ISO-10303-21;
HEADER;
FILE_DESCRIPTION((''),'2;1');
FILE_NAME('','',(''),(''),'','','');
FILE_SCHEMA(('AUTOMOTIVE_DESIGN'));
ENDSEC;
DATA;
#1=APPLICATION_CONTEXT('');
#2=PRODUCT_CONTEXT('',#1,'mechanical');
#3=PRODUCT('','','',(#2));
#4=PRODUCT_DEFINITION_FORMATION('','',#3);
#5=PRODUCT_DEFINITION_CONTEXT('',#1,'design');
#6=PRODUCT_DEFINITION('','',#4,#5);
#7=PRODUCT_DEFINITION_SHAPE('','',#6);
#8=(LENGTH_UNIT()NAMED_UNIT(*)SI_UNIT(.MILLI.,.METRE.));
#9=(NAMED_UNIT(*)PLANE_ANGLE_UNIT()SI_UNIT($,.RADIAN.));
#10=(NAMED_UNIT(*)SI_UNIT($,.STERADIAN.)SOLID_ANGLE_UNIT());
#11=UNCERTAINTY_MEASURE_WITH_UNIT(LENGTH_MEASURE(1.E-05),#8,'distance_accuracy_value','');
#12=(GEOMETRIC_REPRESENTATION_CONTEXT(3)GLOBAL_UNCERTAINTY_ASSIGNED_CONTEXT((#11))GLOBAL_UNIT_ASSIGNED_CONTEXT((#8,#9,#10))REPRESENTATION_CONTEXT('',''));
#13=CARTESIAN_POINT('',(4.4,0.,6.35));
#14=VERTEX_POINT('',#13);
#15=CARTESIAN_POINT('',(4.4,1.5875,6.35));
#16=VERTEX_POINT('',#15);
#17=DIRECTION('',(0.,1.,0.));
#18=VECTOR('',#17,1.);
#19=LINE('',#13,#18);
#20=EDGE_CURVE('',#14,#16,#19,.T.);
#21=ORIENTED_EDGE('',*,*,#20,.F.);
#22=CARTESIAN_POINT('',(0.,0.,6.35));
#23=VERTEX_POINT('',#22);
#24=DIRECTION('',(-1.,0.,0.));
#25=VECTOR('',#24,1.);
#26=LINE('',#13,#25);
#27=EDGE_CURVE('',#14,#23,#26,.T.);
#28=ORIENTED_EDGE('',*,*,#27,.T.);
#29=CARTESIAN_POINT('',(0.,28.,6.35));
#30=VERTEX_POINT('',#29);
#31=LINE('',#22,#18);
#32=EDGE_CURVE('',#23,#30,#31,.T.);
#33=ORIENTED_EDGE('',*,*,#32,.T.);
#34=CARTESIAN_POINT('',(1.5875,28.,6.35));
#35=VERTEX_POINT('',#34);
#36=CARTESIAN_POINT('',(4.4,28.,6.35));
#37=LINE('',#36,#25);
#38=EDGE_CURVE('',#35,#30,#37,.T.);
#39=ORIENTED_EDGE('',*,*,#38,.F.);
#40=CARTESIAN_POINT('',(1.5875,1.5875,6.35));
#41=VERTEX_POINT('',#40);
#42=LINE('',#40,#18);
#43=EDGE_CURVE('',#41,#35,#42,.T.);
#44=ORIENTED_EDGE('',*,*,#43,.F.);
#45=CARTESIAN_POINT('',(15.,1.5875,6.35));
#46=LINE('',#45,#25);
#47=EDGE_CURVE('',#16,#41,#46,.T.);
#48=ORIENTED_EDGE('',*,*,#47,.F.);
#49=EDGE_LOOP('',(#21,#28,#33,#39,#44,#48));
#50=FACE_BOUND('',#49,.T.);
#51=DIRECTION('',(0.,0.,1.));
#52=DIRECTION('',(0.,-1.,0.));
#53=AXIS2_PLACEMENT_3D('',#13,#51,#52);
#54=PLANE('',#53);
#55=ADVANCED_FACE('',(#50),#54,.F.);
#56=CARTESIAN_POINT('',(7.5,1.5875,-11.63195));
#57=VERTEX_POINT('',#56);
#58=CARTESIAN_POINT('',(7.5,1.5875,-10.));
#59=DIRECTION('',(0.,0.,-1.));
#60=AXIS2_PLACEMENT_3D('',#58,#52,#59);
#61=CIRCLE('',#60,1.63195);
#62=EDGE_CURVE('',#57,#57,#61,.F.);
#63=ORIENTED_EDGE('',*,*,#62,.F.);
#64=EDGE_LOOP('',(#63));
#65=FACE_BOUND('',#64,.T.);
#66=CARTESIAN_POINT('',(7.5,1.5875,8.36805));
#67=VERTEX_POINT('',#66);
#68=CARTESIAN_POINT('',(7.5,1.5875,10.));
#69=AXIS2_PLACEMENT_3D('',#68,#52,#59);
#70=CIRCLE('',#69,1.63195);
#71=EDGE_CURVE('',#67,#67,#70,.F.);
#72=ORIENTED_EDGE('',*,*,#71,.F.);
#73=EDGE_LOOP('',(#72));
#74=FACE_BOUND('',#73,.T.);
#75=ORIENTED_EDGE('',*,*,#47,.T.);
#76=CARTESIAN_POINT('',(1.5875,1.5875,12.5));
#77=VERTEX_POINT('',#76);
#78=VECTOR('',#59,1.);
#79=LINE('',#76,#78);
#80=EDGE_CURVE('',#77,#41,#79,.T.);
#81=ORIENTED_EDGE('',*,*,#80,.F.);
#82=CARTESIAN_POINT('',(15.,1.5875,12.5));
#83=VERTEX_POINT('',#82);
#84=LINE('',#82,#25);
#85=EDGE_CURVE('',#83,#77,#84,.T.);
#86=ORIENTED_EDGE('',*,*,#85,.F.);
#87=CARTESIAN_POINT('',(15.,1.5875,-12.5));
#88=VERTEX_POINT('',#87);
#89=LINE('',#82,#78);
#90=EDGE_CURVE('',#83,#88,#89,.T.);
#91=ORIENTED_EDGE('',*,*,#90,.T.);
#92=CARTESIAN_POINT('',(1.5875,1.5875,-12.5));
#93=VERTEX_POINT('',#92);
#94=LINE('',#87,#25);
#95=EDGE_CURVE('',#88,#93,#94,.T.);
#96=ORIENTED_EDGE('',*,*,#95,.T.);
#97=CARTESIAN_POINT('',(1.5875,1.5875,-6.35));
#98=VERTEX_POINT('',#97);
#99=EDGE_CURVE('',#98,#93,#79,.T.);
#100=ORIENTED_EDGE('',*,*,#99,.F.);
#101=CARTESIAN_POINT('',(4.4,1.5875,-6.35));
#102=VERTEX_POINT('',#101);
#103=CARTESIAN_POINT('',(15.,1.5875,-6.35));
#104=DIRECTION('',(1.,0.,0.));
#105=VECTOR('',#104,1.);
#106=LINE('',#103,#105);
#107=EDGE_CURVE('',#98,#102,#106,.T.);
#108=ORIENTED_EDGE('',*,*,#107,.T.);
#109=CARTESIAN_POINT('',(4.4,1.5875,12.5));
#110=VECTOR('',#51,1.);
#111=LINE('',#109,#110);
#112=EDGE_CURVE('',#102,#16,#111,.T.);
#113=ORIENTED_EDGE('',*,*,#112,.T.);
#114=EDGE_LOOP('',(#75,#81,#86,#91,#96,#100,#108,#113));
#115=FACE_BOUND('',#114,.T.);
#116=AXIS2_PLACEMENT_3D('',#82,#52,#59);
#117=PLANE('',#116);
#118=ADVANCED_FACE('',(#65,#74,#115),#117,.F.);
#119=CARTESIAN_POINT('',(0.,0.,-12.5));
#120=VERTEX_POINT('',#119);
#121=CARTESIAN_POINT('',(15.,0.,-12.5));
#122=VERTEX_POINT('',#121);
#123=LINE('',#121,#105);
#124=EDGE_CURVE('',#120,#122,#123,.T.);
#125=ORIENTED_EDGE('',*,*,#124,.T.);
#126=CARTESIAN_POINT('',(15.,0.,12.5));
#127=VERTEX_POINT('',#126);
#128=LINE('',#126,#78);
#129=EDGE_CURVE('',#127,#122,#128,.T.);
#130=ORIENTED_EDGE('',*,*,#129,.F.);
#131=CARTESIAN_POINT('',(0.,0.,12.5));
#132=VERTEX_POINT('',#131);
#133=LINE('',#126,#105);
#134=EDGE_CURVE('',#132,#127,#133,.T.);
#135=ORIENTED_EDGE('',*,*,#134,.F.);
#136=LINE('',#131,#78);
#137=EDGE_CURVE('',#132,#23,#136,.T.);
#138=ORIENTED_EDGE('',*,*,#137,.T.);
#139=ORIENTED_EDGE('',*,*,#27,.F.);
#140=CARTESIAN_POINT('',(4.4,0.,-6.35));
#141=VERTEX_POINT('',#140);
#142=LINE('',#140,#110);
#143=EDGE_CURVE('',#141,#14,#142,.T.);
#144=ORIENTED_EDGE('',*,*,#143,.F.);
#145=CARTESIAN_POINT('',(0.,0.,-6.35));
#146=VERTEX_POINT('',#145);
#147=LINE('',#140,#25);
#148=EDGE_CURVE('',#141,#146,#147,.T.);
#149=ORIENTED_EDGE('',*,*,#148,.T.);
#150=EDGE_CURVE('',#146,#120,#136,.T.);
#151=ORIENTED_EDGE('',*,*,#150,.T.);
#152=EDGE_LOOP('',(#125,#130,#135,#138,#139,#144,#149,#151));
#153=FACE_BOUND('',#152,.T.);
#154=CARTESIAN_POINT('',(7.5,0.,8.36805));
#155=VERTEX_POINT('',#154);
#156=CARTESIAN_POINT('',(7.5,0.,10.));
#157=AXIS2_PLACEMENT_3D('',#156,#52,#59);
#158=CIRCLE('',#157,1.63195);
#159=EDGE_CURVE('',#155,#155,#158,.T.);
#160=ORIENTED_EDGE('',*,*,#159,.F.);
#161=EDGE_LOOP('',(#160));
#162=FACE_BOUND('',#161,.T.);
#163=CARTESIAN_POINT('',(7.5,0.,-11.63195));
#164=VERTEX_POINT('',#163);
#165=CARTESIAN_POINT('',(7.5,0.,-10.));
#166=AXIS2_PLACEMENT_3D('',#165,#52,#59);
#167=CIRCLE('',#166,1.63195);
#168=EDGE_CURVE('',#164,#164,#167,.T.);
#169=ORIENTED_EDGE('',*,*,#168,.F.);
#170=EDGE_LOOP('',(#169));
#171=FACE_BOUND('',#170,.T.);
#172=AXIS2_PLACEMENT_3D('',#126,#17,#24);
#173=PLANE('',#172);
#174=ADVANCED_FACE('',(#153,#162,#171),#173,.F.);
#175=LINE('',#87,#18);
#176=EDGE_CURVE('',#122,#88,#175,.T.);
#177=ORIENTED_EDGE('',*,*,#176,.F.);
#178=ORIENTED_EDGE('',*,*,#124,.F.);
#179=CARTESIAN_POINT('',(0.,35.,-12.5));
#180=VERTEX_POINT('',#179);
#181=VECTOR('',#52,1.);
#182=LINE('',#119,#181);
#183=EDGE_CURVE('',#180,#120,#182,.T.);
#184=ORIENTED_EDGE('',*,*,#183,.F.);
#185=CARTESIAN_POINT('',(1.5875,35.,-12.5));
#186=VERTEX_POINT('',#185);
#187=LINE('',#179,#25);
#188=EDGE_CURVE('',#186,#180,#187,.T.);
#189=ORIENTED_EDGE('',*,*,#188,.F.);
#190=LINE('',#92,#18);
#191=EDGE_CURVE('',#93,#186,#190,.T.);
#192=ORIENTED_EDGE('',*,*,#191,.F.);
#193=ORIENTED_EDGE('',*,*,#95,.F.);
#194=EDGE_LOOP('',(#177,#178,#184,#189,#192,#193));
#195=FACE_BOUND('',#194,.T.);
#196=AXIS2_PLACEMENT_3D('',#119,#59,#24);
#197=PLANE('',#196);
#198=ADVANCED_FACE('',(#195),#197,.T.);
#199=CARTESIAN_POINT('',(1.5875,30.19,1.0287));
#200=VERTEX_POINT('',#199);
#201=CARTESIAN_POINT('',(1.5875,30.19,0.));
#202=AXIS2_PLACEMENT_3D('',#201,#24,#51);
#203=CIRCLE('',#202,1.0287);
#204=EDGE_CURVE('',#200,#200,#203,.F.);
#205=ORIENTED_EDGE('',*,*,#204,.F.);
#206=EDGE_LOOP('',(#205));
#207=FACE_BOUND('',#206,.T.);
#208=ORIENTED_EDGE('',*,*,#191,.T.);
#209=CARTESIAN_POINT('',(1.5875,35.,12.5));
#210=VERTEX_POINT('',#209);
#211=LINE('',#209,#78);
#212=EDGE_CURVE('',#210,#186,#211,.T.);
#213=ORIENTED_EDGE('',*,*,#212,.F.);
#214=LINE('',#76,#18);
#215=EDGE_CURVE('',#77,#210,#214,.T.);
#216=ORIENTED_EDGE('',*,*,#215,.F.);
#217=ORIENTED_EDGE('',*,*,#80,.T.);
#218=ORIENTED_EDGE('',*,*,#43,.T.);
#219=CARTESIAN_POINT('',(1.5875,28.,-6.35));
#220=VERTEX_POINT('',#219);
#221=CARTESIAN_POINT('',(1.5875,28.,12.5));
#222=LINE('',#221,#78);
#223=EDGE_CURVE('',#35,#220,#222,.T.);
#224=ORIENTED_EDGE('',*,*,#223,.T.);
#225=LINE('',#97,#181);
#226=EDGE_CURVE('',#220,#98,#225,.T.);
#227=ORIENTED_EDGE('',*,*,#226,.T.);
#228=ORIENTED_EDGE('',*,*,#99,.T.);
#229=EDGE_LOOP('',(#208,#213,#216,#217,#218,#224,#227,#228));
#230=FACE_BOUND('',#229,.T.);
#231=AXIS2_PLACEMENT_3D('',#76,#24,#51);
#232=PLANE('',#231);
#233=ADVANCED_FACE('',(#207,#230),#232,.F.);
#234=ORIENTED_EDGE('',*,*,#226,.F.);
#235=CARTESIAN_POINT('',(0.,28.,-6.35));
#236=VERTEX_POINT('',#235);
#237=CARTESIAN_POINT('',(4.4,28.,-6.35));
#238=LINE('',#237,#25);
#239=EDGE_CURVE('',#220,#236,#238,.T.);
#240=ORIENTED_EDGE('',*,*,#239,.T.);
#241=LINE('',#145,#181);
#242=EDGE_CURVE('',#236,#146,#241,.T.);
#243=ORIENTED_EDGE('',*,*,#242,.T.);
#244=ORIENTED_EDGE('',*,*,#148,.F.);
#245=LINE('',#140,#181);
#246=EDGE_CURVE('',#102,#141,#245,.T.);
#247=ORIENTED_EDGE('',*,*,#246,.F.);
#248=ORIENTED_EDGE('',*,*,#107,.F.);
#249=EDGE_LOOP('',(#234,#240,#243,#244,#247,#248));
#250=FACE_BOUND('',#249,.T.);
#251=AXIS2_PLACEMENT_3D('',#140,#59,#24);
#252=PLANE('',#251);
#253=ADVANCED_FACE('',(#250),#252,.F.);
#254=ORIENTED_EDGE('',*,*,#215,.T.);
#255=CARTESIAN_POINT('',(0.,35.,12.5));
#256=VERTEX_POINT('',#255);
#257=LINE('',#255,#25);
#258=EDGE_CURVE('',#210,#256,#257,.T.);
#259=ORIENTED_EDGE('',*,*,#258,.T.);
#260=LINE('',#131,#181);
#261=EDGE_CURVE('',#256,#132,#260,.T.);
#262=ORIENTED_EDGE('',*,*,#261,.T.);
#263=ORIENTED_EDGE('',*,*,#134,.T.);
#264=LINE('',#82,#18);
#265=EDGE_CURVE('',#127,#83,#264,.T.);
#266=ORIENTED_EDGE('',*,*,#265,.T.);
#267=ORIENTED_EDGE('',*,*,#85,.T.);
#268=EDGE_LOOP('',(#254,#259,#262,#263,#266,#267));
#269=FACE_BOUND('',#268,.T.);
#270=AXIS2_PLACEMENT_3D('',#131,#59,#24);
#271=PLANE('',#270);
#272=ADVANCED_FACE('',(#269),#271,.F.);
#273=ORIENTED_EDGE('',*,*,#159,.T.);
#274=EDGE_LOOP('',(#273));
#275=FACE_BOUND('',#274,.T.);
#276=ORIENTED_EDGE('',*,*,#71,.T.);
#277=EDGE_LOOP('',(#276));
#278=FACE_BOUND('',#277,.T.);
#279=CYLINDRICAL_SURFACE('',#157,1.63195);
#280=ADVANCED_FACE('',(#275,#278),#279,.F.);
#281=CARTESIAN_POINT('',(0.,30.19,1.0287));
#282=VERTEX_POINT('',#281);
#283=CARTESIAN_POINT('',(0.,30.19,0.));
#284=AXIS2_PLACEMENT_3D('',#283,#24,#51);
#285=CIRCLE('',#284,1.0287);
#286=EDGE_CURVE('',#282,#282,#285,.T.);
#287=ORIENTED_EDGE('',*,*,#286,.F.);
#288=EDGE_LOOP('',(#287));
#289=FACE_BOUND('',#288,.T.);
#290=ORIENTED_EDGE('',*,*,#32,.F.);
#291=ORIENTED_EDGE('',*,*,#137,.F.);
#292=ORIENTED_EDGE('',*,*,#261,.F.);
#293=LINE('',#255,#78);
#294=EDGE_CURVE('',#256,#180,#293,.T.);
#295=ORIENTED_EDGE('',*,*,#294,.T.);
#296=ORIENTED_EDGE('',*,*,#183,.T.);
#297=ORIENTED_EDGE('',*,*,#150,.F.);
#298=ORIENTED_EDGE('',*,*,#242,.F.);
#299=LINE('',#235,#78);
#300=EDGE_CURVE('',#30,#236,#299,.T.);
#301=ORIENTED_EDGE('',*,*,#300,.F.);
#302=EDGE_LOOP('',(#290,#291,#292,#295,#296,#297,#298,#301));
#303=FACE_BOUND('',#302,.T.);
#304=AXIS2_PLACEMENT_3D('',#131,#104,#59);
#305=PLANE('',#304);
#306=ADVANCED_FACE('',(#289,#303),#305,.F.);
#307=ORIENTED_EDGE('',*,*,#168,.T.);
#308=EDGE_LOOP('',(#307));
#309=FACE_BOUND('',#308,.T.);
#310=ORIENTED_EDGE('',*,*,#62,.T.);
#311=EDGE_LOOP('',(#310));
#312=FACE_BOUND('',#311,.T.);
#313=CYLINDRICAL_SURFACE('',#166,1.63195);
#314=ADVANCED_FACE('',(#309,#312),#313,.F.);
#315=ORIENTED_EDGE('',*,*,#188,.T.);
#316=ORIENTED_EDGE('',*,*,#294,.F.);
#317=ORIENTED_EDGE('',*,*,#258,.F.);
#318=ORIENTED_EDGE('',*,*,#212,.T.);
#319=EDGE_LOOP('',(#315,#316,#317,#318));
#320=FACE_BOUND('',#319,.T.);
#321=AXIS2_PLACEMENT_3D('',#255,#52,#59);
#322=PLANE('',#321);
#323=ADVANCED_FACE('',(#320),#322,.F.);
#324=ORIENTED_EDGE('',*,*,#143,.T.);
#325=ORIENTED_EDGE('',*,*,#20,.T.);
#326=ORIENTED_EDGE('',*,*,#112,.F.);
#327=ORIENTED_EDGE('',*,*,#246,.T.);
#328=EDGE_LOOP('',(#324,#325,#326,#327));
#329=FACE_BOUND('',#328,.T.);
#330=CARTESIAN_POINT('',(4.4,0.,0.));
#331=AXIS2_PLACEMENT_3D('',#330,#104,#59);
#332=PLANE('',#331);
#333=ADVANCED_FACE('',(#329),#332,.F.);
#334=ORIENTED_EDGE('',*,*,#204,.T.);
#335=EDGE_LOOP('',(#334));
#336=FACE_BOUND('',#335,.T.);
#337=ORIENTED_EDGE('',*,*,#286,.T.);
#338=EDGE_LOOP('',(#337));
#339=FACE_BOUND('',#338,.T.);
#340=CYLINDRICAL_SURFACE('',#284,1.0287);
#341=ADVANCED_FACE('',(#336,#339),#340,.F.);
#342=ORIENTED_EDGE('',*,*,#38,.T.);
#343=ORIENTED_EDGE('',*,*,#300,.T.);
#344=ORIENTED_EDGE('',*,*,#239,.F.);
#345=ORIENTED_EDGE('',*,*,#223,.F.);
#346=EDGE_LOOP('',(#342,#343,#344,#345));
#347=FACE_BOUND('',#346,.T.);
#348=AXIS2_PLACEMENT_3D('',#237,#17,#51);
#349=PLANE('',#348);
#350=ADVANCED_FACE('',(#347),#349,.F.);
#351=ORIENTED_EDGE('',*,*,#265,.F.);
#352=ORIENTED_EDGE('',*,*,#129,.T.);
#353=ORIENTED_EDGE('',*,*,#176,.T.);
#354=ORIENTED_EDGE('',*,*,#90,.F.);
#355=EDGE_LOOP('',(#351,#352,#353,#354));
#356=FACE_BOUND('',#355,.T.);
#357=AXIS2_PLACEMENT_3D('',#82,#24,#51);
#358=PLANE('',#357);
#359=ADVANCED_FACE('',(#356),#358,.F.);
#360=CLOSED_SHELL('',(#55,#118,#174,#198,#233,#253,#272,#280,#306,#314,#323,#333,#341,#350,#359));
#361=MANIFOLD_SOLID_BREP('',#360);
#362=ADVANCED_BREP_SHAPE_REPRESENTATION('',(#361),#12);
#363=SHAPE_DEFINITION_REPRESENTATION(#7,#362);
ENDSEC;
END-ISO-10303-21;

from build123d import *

# Parameters (mm, degrees)
BOSS_EXTRUDE1_DEPTH   = 12.5
F_4_CLEARANCE_HOLE1_D = 3.2639
F_1_CLEARANCE_HOLE1_D = 2.0574
SKETCH7_W             = 12.7
SKETCH7_H             = 28
CUT_EXTRUDE1_DEPTH    = 4.4


with BuildPart() as part:
    # Sketch1 → Boss-Extrude1 (new, symmetric)
    with BuildSketch(Plane.XY):
        Polygon((15, 0), (0, 0), (0, 35), (1.5875, 35), (1.5875, 1.5875), (15, 1.5875), align=None)
    extrude(amount=BOSS_EXTRUDE1_DEPTH, both=True)

    # #4 Clearance Hole1 (through all)
    with Locations(Plane(origin=(0, 0, 0), x_dir=(-1, 0, 0), z_dir=(0, -1, 0))):
        with Locations((-7.5, 10), (-7.5, -10)):
            Hole(F_4_CLEARANCE_HOLE1_D / 2)

    # #1 Clearance Hole1 (through all)
    with Locations(Plane.ZY):
        with Locations((0, 30.19)):
            Hole(F_1_CLEARANCE_HOLE1_D / 2)

    # Sketch7 → Cut-Extrude1 (cut)
    with BuildSketch(Plane.ZY):
        with Locations((0, 14)):
            Rectangle(SKETCH7_W, SKETCH7_H)
    extrude(amount=-CUT_EXTRUDE1_DEPTH, mode=Mode.SUBTRACT)


solid = part.part
